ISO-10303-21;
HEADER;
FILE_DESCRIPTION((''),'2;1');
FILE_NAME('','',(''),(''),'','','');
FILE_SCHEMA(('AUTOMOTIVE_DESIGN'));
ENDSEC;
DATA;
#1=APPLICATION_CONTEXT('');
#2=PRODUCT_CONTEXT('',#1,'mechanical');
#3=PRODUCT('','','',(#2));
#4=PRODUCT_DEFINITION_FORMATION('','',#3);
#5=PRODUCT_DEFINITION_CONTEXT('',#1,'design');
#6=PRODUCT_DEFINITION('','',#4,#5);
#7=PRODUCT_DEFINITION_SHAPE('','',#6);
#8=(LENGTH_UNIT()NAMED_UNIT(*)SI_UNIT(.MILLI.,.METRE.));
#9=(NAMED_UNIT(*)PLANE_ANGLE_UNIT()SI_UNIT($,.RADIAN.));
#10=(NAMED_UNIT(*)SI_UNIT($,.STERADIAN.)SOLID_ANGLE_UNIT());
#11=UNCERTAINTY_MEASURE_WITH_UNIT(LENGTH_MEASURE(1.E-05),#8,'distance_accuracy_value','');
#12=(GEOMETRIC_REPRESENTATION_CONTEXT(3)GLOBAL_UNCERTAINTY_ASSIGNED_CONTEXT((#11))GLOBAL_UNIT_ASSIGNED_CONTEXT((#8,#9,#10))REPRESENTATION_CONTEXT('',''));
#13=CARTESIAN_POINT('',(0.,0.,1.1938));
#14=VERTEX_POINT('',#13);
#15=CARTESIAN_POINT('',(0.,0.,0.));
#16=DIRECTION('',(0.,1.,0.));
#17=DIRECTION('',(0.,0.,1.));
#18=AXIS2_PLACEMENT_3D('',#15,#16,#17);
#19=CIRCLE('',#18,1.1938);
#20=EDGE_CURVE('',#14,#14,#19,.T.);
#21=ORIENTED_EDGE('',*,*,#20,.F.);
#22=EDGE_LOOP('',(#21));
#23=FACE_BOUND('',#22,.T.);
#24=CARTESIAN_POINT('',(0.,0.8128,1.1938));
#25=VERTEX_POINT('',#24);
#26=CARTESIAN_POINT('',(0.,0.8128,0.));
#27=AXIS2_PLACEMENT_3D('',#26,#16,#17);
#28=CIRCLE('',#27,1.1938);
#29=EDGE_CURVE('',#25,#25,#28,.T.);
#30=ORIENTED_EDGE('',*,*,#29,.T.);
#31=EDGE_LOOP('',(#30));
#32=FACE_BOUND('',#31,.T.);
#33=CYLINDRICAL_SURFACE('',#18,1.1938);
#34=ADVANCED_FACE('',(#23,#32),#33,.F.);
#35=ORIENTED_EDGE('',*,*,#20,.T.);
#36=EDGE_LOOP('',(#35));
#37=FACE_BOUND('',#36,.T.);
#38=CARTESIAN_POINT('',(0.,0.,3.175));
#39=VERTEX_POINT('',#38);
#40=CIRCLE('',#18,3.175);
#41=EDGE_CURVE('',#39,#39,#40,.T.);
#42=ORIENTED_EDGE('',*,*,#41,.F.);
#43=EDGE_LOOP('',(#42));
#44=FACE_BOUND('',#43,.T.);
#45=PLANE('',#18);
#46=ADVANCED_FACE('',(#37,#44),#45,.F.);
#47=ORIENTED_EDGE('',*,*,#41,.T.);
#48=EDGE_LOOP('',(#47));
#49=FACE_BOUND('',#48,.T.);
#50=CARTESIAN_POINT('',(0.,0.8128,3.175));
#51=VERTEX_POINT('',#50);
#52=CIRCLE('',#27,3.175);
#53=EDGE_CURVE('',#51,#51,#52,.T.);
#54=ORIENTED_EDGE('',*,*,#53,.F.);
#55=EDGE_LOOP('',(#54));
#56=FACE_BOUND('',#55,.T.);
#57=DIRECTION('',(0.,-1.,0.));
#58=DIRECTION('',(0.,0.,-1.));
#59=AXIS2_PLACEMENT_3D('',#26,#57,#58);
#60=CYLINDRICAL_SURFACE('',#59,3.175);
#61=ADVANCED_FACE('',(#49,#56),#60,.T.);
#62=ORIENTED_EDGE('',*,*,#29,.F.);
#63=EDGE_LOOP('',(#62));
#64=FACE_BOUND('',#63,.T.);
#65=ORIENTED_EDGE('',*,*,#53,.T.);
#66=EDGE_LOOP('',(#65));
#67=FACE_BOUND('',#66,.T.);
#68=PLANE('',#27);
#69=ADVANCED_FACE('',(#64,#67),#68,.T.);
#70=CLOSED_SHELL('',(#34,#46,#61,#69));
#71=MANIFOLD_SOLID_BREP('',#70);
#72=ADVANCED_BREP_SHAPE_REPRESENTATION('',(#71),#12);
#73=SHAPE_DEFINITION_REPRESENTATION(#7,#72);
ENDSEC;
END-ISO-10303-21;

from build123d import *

# Parameters (mm, degrees)
SKETCH1_R           = 3.175
BOSS_EXTRUDE1_DEPTH = 0.8128
SKETCH5_R           = 1.1938
CUT_EXTRUDE1_DEPTH  = 1.8128


with BuildPart() as part:
    # Sketch1 → Boss-Extrude1 (new body)
    with BuildSketch(Plane(origin=(0, 0, 0), x_dir=(1, 0, 0), z_dir=(0, 1, 0))):
        Circle(SKETCH1_R)
    extrude(amount=BOSS_EXTRUDE1_DEPTH)

    # Sketch5 → Cut-Extrude1 (cut, through all)
    with BuildSketch(Plane(origin=(0, 0.8128, 0), x_dir=(-1, 0, 0), z_dir=(0, 1, 0))):
        Circle(SKETCH5_R)
    extrude(amount=-CUT_EXTRUDE1_DEPTH, mode=Mode.SUBTRACT)


solid = part.part
